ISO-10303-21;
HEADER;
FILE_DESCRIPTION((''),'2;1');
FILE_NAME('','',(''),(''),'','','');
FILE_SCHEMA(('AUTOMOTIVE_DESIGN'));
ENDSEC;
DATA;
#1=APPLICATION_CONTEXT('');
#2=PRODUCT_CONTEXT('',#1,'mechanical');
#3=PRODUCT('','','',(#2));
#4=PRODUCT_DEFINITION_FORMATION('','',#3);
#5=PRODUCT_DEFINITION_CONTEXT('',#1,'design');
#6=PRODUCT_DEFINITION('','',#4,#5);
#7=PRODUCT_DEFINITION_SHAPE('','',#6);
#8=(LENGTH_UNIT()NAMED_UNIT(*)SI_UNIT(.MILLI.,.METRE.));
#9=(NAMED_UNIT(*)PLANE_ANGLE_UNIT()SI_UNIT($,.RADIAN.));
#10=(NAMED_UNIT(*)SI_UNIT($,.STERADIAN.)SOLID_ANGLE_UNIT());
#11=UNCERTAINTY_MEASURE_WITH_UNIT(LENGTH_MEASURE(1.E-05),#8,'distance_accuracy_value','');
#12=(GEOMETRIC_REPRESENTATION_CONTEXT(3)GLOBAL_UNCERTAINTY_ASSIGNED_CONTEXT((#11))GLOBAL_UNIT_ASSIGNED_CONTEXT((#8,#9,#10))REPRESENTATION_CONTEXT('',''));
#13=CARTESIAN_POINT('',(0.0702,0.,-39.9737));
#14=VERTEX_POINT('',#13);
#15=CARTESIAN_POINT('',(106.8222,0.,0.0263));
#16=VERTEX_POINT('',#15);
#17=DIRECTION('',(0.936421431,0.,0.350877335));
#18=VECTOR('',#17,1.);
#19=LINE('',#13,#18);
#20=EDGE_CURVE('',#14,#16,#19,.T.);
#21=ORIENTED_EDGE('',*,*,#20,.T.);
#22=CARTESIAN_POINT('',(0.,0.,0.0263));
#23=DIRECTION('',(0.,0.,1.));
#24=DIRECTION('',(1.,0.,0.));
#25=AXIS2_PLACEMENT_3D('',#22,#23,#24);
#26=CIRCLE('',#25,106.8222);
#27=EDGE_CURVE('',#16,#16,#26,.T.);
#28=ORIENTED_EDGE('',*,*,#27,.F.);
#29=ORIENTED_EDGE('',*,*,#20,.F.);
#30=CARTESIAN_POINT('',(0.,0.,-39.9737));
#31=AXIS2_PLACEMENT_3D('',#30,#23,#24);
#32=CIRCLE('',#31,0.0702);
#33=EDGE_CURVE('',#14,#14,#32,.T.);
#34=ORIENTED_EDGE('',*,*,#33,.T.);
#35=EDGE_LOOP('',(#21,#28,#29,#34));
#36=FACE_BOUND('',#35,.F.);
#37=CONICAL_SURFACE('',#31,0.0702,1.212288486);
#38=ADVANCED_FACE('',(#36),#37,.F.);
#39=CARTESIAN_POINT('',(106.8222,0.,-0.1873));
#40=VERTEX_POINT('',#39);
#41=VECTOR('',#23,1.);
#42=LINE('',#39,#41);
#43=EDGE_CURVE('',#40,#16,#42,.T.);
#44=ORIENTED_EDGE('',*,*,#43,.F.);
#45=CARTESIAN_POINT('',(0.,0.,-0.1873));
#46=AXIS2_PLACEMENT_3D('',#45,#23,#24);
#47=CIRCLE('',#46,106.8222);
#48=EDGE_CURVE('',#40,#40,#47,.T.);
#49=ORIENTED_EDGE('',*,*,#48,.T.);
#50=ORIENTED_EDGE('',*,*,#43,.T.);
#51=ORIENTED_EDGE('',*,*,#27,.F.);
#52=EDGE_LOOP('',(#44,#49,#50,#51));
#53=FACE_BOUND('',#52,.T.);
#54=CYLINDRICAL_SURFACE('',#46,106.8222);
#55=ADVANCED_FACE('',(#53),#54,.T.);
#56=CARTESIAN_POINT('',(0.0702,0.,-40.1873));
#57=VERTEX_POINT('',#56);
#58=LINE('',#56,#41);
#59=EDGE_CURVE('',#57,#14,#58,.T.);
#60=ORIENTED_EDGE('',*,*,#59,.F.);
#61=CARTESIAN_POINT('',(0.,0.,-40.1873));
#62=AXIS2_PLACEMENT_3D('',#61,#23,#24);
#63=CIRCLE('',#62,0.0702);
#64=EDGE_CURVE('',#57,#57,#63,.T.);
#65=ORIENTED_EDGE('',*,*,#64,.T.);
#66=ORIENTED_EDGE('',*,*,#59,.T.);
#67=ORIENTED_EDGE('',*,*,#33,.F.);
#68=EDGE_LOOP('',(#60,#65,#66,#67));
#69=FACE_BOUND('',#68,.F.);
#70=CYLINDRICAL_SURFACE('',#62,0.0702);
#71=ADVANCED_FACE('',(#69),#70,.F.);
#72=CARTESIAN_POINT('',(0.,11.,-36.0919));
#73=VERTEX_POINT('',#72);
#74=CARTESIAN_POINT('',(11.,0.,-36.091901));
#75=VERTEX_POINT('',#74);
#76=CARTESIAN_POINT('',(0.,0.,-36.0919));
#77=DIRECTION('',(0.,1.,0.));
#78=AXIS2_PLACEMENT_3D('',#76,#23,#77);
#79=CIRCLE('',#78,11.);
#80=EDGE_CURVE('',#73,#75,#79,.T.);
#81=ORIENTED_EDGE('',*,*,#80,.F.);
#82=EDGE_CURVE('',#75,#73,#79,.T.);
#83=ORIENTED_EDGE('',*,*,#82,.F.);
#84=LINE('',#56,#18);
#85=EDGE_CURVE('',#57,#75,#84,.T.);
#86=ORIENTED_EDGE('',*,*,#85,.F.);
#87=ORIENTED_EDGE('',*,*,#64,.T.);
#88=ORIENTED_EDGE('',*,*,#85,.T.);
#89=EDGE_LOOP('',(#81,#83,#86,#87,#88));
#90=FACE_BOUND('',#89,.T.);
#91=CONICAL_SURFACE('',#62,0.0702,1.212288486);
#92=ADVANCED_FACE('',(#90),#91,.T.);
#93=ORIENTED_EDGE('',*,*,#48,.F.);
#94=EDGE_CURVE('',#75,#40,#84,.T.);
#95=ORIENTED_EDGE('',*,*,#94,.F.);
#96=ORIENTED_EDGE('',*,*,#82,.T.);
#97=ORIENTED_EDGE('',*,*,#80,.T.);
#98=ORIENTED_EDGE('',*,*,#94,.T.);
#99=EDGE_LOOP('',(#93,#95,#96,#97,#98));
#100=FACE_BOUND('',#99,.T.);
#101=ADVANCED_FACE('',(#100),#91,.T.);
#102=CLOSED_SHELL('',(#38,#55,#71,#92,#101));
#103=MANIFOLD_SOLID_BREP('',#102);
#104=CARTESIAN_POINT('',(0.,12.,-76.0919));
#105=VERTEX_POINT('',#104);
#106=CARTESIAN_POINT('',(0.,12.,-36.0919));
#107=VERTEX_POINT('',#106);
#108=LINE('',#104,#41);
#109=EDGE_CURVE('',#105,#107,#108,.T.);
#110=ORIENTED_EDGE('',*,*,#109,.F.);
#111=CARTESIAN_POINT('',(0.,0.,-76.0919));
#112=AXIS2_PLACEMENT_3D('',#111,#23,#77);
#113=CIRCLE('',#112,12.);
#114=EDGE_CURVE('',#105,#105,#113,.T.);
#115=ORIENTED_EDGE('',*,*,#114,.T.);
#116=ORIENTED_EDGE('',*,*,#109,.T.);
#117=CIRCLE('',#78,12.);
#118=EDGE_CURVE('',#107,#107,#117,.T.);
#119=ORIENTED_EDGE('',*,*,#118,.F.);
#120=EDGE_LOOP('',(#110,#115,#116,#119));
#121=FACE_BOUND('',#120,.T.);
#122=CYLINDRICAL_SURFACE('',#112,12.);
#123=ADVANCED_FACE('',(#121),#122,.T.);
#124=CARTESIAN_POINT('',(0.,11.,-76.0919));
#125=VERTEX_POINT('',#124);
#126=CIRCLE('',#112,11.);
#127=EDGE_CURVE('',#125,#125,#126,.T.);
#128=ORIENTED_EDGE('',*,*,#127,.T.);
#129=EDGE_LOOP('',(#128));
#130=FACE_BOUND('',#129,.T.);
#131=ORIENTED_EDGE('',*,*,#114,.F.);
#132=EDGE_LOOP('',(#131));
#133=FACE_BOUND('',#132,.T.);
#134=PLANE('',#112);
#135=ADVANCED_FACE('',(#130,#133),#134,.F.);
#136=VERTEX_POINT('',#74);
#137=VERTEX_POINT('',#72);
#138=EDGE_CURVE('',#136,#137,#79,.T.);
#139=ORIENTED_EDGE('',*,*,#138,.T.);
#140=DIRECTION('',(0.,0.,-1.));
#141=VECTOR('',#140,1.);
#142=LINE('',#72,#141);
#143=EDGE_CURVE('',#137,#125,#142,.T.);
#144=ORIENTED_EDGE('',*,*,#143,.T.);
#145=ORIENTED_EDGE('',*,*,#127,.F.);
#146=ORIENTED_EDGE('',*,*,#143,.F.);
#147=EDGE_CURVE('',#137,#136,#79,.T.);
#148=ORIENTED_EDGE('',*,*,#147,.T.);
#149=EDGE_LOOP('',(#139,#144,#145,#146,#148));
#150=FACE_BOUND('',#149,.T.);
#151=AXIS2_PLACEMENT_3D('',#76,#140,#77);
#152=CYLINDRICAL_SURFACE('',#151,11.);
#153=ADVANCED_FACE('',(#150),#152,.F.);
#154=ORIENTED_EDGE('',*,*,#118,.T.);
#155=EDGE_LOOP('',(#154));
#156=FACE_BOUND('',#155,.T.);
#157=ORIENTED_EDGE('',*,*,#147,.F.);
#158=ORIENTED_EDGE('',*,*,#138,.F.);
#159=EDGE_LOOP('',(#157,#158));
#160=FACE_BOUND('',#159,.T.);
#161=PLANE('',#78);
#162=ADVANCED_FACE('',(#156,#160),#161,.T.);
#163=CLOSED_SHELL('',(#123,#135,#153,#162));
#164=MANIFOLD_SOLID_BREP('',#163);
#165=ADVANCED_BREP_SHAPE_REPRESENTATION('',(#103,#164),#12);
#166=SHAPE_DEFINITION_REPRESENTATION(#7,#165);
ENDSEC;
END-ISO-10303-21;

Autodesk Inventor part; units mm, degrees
ref_plane "YZ Plane" through (0, 0, 0) normal (1, 0, 0) x (0, 1, 0)
ref_plane "XZ Plane" through (0, 0, 0) normal (0, 1, 0) x (-1, 0, 0)
ref_plane "XY Plane" through (0, 0, 0) normal (0, 0, 1) x (1, 0, 0)
sketch "Sketch1" plane through (0, 0, 0) normal (0, 1, 0) x (-1, 0, 0)
  line L0 (-0.0702, -39.9737) -> (-106.8222, 0.0263)
  line L1 (-0.0702, -40.1873) -> (-106.8222, -0.1873)
  line L2 (-0.0702, -40.1873) -> (-0.0702, -39.9737)
  line L3 (-106.8222, -0.1873) -> (-106.8222, 0.0263)
  line L4 (0, -48.23) -> (0, 8.069) projected
  dimension "d5" = 114
  dimension "d7" = 0.2
revolve "Revolution1" add sketch "Sketch1" angle 360 about axis through (0, 0, -10) along (0, 0, 1)
sketch "Sketch3" plane through (0, 0, 0) normal (1, 0, 0) x (0, 1, 0)
  line L0 (0.0702, -40.1873) -> (106.8222, -0.1873) projected
  line L1 (11, -36.0919) -> (11, -76.0919)
  line L2 (11, -36.0919) -> (51, -36.0919) construction
  line L3 (11, -76.0919) -> (12, -76.0919)
  line L4 (12, -76.0919) -> (12, -36.0919)
  line L5 (12, -36.0919) -> (11, -36.0919)
  line L6 (0, -91.3155) -> (0, 15.2499) projected
  point P0 (0, 0)
  dimension "d14" = 40
  dimension "d15" = 90
  dimension "d16" = 1
  dimension "d17" = 90
  dimension "d18" = 40
  dimension "d19" = 90
revolve "Revolution3" add sketch "Sketch3" angle 360 about axis through (0, 0, -10) along (0, 0, 1)
properties part number "membrane"
